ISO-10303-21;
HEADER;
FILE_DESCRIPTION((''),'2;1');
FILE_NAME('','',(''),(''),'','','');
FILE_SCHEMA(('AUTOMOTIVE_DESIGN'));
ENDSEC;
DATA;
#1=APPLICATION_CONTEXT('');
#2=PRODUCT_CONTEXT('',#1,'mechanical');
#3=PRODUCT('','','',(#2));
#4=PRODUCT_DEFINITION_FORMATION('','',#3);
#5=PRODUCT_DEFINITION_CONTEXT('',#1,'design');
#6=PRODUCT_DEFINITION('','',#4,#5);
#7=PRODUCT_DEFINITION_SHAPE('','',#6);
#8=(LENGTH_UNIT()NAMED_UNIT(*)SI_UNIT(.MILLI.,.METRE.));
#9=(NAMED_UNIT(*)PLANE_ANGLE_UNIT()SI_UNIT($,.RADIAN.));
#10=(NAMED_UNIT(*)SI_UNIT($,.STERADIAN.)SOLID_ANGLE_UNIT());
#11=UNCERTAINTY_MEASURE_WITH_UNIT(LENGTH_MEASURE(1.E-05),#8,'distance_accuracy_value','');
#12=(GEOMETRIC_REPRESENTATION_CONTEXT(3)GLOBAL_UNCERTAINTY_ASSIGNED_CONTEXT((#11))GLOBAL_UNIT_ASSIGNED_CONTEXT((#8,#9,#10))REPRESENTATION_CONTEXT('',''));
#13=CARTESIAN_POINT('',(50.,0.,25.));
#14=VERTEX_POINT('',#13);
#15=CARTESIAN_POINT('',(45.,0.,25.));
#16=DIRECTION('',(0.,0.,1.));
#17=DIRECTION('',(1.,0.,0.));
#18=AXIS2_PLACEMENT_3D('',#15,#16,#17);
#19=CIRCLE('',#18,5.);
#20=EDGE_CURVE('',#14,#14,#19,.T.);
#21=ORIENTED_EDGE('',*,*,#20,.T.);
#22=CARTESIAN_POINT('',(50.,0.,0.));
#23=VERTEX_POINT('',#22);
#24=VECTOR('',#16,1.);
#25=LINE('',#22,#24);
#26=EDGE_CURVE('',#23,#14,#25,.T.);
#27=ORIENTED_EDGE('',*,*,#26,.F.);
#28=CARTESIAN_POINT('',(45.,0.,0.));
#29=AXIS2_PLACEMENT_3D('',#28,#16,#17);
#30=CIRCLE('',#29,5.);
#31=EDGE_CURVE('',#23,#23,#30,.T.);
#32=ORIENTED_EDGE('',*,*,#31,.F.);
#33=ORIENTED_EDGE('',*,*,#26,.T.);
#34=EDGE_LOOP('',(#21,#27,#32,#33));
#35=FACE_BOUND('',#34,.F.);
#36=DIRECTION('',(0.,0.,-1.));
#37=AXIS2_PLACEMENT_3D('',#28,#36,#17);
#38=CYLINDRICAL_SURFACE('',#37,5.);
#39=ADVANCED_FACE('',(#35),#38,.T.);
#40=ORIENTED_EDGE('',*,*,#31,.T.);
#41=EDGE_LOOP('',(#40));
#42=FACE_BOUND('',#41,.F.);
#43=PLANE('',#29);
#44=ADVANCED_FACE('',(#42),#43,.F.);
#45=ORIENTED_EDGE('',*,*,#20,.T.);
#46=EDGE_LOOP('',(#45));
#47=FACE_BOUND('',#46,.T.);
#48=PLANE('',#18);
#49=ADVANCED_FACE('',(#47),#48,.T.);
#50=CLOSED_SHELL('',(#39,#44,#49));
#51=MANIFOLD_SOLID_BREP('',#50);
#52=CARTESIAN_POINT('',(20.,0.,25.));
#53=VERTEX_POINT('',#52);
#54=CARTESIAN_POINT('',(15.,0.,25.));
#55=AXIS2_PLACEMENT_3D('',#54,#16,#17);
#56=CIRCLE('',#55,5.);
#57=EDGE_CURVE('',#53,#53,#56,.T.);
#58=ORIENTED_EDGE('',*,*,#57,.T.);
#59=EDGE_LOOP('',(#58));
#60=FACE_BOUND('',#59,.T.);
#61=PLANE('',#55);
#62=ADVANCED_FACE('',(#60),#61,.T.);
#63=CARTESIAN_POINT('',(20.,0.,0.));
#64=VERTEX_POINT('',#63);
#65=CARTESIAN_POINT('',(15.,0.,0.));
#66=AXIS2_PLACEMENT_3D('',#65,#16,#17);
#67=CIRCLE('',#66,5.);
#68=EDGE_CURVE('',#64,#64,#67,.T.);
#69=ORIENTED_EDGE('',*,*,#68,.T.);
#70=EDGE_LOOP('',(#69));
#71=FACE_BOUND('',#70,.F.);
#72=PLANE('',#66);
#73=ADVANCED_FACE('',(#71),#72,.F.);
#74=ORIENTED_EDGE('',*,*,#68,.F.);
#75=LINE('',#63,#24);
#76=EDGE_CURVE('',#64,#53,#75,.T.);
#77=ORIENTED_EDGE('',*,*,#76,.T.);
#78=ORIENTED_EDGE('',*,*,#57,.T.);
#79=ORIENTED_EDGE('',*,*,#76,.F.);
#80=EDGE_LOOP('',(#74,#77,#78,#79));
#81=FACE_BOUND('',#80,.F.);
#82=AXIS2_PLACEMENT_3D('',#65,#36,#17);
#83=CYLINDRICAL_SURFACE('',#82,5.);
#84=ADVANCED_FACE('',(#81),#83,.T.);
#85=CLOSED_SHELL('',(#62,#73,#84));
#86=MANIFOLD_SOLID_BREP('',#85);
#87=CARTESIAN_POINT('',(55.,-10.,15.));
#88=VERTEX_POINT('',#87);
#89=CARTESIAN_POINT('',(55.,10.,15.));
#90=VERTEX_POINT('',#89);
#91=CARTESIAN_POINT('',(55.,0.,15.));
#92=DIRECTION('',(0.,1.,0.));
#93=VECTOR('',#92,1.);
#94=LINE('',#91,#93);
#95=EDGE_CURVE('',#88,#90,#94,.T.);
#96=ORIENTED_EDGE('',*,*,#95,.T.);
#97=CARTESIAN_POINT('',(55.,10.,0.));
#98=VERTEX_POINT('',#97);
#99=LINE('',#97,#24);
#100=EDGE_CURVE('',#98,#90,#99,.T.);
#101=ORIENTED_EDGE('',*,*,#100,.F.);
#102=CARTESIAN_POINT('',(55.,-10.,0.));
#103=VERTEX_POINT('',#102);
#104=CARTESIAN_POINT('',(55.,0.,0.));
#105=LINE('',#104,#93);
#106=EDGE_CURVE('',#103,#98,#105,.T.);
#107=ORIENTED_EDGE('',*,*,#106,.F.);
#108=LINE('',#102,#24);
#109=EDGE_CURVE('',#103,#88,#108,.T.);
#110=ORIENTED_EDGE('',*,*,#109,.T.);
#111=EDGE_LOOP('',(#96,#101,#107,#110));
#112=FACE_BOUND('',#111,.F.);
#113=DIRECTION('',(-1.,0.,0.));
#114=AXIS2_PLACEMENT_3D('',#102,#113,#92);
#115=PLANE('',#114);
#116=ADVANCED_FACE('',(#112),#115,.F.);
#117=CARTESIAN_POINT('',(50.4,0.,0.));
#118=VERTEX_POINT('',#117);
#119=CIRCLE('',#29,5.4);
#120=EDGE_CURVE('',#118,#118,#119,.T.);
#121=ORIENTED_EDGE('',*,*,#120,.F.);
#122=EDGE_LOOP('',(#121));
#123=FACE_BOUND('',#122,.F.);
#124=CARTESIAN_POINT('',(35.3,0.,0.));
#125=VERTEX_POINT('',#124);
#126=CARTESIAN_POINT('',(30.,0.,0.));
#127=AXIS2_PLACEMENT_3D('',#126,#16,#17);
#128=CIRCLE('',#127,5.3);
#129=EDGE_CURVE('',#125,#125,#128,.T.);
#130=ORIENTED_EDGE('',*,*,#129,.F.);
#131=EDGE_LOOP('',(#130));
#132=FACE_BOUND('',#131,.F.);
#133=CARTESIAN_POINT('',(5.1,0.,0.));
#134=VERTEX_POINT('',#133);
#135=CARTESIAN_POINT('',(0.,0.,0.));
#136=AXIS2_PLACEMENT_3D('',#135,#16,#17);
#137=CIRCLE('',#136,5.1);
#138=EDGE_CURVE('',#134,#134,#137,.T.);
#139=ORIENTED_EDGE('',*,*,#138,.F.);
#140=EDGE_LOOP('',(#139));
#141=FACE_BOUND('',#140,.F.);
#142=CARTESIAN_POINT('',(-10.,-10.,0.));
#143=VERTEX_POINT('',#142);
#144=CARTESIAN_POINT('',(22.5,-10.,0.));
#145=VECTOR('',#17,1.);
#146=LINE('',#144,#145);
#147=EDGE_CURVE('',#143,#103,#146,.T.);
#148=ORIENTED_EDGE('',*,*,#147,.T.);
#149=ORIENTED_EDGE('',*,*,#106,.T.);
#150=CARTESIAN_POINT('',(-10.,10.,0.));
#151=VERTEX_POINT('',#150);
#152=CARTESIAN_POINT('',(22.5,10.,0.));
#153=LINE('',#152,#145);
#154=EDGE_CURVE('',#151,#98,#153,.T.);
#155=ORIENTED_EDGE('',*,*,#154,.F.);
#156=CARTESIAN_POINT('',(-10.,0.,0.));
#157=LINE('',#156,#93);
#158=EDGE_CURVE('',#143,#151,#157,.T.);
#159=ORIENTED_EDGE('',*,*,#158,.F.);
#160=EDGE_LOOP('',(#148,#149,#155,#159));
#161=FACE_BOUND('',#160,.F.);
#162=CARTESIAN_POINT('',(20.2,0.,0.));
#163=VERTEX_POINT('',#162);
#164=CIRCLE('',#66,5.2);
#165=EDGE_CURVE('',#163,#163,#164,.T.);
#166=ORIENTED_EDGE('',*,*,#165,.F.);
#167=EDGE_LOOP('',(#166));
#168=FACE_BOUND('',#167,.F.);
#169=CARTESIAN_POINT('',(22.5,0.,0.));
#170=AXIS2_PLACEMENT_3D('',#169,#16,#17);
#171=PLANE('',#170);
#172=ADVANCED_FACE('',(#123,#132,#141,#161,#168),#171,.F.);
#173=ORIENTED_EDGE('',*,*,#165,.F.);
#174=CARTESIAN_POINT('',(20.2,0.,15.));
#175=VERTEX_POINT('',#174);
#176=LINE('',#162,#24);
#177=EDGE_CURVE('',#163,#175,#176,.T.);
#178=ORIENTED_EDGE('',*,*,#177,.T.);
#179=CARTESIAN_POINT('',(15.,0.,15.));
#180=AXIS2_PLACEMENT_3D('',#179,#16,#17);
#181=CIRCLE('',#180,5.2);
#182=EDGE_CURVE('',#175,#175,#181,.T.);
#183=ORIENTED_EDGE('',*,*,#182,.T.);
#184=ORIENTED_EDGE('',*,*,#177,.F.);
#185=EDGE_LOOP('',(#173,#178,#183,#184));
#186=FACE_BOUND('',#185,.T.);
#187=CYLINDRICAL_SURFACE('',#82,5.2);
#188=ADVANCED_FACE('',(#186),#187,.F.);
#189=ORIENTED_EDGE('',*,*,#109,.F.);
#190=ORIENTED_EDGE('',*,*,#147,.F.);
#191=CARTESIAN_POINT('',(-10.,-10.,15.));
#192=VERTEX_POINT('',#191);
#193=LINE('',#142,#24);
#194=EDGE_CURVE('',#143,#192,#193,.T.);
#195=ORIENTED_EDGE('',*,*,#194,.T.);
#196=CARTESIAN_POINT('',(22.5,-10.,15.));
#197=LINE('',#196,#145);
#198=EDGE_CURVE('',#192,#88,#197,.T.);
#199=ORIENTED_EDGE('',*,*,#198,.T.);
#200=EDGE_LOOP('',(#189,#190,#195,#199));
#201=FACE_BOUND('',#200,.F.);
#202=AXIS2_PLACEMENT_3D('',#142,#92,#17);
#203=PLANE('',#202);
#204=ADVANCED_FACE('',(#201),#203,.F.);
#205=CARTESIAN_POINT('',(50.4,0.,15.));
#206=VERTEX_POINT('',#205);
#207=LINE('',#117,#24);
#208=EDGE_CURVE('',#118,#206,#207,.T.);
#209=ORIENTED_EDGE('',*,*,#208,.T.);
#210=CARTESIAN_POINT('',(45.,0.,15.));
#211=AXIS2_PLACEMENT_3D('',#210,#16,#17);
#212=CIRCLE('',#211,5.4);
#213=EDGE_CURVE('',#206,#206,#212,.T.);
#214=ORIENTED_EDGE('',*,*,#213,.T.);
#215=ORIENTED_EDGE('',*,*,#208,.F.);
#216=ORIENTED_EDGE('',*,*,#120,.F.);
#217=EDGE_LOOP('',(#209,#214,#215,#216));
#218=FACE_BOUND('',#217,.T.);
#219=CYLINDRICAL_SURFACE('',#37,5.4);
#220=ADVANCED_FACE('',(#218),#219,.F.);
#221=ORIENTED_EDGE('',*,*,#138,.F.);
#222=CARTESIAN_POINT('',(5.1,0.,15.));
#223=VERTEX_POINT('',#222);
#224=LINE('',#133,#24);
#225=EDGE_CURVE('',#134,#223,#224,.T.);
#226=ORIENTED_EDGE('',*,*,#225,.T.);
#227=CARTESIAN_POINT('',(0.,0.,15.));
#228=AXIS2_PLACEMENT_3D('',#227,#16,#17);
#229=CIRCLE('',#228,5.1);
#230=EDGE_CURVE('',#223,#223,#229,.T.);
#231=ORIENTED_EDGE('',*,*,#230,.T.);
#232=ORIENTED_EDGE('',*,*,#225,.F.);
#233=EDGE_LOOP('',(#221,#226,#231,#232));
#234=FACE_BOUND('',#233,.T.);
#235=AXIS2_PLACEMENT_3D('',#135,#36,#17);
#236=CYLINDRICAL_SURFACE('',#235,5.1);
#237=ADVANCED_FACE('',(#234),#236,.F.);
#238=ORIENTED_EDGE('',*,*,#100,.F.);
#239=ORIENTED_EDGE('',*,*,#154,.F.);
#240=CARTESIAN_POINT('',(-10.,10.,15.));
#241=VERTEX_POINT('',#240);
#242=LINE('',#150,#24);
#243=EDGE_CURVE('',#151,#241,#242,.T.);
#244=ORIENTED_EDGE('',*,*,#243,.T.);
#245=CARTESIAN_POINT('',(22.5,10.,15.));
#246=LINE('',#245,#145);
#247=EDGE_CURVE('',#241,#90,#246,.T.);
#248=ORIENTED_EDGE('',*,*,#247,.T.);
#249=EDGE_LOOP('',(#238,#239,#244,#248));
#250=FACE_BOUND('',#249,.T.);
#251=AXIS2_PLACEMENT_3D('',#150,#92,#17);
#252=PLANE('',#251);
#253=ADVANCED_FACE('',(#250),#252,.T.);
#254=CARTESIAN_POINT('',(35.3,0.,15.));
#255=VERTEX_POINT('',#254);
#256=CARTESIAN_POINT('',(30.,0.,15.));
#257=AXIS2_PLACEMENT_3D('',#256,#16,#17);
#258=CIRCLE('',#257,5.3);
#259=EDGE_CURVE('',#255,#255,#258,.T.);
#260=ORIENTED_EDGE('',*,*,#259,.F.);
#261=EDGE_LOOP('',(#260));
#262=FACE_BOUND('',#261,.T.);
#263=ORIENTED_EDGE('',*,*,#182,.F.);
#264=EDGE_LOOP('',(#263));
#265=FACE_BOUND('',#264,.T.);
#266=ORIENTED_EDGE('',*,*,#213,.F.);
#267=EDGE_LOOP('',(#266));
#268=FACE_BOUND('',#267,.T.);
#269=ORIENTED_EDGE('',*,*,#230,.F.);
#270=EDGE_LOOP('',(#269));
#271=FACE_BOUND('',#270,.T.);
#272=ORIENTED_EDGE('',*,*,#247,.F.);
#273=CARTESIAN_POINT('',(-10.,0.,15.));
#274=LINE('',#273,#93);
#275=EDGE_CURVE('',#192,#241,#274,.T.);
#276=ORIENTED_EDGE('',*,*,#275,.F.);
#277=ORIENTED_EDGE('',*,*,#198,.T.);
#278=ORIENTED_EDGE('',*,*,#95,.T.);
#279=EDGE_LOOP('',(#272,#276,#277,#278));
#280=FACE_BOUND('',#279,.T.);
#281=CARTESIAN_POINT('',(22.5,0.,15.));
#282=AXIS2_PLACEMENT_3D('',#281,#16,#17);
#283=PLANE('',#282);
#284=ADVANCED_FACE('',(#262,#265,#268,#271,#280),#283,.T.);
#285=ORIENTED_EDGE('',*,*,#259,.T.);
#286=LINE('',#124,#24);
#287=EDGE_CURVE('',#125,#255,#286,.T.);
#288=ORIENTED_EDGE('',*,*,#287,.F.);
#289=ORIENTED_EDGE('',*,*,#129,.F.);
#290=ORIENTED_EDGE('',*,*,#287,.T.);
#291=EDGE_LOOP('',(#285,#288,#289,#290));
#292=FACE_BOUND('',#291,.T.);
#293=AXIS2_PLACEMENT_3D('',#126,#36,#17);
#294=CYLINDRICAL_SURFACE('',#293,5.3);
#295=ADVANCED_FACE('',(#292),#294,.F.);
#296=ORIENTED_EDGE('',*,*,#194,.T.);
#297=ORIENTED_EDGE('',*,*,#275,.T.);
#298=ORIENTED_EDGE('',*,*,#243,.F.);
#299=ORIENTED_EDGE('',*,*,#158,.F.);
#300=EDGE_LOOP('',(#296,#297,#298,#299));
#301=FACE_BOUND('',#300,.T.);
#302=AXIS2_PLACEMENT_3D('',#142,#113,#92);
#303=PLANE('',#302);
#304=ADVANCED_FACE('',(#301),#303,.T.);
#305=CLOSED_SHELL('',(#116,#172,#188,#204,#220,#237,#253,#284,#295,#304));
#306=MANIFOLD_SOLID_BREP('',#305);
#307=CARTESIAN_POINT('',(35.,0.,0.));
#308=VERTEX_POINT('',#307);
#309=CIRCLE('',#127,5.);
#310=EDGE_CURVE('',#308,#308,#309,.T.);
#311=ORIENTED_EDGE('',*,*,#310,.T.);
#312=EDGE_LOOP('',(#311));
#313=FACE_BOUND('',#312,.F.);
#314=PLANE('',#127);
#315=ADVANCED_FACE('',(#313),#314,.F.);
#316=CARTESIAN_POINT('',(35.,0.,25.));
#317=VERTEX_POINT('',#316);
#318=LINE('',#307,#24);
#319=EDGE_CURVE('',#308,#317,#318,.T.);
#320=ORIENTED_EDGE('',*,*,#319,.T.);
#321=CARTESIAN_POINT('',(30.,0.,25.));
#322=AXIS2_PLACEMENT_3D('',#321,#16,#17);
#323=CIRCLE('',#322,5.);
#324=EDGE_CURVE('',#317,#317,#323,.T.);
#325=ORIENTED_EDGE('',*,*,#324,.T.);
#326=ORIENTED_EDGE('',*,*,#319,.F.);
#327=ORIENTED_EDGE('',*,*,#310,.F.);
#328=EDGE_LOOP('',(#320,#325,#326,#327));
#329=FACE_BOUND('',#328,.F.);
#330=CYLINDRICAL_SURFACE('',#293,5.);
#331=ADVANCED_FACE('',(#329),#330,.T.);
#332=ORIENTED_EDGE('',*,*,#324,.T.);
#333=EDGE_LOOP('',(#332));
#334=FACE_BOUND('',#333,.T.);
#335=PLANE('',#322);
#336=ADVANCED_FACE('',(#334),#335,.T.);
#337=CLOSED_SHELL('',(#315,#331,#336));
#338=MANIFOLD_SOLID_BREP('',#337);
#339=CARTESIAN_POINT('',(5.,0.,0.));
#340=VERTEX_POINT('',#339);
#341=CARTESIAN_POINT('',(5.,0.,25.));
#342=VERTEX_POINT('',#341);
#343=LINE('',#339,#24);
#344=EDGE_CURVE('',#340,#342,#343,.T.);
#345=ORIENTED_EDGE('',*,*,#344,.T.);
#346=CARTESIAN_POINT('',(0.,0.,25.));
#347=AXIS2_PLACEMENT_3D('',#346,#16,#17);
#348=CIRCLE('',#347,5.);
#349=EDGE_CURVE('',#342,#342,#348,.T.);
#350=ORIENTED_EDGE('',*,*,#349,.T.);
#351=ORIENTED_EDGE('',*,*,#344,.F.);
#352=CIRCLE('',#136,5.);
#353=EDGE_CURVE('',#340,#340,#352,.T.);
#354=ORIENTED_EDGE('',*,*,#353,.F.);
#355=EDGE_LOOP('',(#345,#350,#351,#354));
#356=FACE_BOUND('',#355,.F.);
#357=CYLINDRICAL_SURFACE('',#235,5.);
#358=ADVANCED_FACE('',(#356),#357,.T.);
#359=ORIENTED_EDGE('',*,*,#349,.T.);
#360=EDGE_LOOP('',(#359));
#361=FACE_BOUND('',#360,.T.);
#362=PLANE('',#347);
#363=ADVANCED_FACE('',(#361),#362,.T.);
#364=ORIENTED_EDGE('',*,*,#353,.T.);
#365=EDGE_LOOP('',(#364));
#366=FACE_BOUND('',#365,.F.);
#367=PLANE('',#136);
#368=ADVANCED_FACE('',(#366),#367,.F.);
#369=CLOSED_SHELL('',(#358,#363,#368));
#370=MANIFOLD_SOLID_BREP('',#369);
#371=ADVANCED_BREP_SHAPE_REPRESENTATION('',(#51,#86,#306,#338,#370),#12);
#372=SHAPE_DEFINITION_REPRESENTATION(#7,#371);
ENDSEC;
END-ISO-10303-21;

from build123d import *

# Parameters (mm, degrees)
F0_W     = 65
F0_H     = 20
F0_R     = 5.1
F0_R_2   = 5.2
F0_R_3   = 5.3
F0_R_4   = 5.4
F1_DEPTH = 15
F0_R_5   = 5
F2_DEPTH = 25


with BuildPart() as f1:
    # F0 (on Top) → F1 (new body)
    with BuildSketch(Plane.XY):
        with Locations((22.5, 0)):
            Rectangle(F0_W, F0_H)
        Circle(F0_R, mode=Mode.SUBTRACT)
        with Locations((15, 0)):
            Circle(F0_R_2, mode=Mode.SUBTRACT)
        with Locations((30, 0)):
            Circle(F0_R_3, mode=Mode.SUBTRACT)
        with Locations((45, 0)):
            Circle(F0_R_4, mode=Mode.SUBTRACT)
    extrude(amount=F1_DEPTH)


with BuildPart() as f2:
    # F0 (on Top) → F2 (new body)
    with BuildSketch(Plane.XY):
        Circle(F0_R_5)
        with Locations((15, 0)):
            Circle(F0_R_5)
        with Locations((30, 0)):
            Circle(F0_R_5)
        with Locations((45, 0)):
            Circle(F0_R_5)
    extrude(amount=F2_DEPTH)


solid = Compound([f1.part, f2.part])
